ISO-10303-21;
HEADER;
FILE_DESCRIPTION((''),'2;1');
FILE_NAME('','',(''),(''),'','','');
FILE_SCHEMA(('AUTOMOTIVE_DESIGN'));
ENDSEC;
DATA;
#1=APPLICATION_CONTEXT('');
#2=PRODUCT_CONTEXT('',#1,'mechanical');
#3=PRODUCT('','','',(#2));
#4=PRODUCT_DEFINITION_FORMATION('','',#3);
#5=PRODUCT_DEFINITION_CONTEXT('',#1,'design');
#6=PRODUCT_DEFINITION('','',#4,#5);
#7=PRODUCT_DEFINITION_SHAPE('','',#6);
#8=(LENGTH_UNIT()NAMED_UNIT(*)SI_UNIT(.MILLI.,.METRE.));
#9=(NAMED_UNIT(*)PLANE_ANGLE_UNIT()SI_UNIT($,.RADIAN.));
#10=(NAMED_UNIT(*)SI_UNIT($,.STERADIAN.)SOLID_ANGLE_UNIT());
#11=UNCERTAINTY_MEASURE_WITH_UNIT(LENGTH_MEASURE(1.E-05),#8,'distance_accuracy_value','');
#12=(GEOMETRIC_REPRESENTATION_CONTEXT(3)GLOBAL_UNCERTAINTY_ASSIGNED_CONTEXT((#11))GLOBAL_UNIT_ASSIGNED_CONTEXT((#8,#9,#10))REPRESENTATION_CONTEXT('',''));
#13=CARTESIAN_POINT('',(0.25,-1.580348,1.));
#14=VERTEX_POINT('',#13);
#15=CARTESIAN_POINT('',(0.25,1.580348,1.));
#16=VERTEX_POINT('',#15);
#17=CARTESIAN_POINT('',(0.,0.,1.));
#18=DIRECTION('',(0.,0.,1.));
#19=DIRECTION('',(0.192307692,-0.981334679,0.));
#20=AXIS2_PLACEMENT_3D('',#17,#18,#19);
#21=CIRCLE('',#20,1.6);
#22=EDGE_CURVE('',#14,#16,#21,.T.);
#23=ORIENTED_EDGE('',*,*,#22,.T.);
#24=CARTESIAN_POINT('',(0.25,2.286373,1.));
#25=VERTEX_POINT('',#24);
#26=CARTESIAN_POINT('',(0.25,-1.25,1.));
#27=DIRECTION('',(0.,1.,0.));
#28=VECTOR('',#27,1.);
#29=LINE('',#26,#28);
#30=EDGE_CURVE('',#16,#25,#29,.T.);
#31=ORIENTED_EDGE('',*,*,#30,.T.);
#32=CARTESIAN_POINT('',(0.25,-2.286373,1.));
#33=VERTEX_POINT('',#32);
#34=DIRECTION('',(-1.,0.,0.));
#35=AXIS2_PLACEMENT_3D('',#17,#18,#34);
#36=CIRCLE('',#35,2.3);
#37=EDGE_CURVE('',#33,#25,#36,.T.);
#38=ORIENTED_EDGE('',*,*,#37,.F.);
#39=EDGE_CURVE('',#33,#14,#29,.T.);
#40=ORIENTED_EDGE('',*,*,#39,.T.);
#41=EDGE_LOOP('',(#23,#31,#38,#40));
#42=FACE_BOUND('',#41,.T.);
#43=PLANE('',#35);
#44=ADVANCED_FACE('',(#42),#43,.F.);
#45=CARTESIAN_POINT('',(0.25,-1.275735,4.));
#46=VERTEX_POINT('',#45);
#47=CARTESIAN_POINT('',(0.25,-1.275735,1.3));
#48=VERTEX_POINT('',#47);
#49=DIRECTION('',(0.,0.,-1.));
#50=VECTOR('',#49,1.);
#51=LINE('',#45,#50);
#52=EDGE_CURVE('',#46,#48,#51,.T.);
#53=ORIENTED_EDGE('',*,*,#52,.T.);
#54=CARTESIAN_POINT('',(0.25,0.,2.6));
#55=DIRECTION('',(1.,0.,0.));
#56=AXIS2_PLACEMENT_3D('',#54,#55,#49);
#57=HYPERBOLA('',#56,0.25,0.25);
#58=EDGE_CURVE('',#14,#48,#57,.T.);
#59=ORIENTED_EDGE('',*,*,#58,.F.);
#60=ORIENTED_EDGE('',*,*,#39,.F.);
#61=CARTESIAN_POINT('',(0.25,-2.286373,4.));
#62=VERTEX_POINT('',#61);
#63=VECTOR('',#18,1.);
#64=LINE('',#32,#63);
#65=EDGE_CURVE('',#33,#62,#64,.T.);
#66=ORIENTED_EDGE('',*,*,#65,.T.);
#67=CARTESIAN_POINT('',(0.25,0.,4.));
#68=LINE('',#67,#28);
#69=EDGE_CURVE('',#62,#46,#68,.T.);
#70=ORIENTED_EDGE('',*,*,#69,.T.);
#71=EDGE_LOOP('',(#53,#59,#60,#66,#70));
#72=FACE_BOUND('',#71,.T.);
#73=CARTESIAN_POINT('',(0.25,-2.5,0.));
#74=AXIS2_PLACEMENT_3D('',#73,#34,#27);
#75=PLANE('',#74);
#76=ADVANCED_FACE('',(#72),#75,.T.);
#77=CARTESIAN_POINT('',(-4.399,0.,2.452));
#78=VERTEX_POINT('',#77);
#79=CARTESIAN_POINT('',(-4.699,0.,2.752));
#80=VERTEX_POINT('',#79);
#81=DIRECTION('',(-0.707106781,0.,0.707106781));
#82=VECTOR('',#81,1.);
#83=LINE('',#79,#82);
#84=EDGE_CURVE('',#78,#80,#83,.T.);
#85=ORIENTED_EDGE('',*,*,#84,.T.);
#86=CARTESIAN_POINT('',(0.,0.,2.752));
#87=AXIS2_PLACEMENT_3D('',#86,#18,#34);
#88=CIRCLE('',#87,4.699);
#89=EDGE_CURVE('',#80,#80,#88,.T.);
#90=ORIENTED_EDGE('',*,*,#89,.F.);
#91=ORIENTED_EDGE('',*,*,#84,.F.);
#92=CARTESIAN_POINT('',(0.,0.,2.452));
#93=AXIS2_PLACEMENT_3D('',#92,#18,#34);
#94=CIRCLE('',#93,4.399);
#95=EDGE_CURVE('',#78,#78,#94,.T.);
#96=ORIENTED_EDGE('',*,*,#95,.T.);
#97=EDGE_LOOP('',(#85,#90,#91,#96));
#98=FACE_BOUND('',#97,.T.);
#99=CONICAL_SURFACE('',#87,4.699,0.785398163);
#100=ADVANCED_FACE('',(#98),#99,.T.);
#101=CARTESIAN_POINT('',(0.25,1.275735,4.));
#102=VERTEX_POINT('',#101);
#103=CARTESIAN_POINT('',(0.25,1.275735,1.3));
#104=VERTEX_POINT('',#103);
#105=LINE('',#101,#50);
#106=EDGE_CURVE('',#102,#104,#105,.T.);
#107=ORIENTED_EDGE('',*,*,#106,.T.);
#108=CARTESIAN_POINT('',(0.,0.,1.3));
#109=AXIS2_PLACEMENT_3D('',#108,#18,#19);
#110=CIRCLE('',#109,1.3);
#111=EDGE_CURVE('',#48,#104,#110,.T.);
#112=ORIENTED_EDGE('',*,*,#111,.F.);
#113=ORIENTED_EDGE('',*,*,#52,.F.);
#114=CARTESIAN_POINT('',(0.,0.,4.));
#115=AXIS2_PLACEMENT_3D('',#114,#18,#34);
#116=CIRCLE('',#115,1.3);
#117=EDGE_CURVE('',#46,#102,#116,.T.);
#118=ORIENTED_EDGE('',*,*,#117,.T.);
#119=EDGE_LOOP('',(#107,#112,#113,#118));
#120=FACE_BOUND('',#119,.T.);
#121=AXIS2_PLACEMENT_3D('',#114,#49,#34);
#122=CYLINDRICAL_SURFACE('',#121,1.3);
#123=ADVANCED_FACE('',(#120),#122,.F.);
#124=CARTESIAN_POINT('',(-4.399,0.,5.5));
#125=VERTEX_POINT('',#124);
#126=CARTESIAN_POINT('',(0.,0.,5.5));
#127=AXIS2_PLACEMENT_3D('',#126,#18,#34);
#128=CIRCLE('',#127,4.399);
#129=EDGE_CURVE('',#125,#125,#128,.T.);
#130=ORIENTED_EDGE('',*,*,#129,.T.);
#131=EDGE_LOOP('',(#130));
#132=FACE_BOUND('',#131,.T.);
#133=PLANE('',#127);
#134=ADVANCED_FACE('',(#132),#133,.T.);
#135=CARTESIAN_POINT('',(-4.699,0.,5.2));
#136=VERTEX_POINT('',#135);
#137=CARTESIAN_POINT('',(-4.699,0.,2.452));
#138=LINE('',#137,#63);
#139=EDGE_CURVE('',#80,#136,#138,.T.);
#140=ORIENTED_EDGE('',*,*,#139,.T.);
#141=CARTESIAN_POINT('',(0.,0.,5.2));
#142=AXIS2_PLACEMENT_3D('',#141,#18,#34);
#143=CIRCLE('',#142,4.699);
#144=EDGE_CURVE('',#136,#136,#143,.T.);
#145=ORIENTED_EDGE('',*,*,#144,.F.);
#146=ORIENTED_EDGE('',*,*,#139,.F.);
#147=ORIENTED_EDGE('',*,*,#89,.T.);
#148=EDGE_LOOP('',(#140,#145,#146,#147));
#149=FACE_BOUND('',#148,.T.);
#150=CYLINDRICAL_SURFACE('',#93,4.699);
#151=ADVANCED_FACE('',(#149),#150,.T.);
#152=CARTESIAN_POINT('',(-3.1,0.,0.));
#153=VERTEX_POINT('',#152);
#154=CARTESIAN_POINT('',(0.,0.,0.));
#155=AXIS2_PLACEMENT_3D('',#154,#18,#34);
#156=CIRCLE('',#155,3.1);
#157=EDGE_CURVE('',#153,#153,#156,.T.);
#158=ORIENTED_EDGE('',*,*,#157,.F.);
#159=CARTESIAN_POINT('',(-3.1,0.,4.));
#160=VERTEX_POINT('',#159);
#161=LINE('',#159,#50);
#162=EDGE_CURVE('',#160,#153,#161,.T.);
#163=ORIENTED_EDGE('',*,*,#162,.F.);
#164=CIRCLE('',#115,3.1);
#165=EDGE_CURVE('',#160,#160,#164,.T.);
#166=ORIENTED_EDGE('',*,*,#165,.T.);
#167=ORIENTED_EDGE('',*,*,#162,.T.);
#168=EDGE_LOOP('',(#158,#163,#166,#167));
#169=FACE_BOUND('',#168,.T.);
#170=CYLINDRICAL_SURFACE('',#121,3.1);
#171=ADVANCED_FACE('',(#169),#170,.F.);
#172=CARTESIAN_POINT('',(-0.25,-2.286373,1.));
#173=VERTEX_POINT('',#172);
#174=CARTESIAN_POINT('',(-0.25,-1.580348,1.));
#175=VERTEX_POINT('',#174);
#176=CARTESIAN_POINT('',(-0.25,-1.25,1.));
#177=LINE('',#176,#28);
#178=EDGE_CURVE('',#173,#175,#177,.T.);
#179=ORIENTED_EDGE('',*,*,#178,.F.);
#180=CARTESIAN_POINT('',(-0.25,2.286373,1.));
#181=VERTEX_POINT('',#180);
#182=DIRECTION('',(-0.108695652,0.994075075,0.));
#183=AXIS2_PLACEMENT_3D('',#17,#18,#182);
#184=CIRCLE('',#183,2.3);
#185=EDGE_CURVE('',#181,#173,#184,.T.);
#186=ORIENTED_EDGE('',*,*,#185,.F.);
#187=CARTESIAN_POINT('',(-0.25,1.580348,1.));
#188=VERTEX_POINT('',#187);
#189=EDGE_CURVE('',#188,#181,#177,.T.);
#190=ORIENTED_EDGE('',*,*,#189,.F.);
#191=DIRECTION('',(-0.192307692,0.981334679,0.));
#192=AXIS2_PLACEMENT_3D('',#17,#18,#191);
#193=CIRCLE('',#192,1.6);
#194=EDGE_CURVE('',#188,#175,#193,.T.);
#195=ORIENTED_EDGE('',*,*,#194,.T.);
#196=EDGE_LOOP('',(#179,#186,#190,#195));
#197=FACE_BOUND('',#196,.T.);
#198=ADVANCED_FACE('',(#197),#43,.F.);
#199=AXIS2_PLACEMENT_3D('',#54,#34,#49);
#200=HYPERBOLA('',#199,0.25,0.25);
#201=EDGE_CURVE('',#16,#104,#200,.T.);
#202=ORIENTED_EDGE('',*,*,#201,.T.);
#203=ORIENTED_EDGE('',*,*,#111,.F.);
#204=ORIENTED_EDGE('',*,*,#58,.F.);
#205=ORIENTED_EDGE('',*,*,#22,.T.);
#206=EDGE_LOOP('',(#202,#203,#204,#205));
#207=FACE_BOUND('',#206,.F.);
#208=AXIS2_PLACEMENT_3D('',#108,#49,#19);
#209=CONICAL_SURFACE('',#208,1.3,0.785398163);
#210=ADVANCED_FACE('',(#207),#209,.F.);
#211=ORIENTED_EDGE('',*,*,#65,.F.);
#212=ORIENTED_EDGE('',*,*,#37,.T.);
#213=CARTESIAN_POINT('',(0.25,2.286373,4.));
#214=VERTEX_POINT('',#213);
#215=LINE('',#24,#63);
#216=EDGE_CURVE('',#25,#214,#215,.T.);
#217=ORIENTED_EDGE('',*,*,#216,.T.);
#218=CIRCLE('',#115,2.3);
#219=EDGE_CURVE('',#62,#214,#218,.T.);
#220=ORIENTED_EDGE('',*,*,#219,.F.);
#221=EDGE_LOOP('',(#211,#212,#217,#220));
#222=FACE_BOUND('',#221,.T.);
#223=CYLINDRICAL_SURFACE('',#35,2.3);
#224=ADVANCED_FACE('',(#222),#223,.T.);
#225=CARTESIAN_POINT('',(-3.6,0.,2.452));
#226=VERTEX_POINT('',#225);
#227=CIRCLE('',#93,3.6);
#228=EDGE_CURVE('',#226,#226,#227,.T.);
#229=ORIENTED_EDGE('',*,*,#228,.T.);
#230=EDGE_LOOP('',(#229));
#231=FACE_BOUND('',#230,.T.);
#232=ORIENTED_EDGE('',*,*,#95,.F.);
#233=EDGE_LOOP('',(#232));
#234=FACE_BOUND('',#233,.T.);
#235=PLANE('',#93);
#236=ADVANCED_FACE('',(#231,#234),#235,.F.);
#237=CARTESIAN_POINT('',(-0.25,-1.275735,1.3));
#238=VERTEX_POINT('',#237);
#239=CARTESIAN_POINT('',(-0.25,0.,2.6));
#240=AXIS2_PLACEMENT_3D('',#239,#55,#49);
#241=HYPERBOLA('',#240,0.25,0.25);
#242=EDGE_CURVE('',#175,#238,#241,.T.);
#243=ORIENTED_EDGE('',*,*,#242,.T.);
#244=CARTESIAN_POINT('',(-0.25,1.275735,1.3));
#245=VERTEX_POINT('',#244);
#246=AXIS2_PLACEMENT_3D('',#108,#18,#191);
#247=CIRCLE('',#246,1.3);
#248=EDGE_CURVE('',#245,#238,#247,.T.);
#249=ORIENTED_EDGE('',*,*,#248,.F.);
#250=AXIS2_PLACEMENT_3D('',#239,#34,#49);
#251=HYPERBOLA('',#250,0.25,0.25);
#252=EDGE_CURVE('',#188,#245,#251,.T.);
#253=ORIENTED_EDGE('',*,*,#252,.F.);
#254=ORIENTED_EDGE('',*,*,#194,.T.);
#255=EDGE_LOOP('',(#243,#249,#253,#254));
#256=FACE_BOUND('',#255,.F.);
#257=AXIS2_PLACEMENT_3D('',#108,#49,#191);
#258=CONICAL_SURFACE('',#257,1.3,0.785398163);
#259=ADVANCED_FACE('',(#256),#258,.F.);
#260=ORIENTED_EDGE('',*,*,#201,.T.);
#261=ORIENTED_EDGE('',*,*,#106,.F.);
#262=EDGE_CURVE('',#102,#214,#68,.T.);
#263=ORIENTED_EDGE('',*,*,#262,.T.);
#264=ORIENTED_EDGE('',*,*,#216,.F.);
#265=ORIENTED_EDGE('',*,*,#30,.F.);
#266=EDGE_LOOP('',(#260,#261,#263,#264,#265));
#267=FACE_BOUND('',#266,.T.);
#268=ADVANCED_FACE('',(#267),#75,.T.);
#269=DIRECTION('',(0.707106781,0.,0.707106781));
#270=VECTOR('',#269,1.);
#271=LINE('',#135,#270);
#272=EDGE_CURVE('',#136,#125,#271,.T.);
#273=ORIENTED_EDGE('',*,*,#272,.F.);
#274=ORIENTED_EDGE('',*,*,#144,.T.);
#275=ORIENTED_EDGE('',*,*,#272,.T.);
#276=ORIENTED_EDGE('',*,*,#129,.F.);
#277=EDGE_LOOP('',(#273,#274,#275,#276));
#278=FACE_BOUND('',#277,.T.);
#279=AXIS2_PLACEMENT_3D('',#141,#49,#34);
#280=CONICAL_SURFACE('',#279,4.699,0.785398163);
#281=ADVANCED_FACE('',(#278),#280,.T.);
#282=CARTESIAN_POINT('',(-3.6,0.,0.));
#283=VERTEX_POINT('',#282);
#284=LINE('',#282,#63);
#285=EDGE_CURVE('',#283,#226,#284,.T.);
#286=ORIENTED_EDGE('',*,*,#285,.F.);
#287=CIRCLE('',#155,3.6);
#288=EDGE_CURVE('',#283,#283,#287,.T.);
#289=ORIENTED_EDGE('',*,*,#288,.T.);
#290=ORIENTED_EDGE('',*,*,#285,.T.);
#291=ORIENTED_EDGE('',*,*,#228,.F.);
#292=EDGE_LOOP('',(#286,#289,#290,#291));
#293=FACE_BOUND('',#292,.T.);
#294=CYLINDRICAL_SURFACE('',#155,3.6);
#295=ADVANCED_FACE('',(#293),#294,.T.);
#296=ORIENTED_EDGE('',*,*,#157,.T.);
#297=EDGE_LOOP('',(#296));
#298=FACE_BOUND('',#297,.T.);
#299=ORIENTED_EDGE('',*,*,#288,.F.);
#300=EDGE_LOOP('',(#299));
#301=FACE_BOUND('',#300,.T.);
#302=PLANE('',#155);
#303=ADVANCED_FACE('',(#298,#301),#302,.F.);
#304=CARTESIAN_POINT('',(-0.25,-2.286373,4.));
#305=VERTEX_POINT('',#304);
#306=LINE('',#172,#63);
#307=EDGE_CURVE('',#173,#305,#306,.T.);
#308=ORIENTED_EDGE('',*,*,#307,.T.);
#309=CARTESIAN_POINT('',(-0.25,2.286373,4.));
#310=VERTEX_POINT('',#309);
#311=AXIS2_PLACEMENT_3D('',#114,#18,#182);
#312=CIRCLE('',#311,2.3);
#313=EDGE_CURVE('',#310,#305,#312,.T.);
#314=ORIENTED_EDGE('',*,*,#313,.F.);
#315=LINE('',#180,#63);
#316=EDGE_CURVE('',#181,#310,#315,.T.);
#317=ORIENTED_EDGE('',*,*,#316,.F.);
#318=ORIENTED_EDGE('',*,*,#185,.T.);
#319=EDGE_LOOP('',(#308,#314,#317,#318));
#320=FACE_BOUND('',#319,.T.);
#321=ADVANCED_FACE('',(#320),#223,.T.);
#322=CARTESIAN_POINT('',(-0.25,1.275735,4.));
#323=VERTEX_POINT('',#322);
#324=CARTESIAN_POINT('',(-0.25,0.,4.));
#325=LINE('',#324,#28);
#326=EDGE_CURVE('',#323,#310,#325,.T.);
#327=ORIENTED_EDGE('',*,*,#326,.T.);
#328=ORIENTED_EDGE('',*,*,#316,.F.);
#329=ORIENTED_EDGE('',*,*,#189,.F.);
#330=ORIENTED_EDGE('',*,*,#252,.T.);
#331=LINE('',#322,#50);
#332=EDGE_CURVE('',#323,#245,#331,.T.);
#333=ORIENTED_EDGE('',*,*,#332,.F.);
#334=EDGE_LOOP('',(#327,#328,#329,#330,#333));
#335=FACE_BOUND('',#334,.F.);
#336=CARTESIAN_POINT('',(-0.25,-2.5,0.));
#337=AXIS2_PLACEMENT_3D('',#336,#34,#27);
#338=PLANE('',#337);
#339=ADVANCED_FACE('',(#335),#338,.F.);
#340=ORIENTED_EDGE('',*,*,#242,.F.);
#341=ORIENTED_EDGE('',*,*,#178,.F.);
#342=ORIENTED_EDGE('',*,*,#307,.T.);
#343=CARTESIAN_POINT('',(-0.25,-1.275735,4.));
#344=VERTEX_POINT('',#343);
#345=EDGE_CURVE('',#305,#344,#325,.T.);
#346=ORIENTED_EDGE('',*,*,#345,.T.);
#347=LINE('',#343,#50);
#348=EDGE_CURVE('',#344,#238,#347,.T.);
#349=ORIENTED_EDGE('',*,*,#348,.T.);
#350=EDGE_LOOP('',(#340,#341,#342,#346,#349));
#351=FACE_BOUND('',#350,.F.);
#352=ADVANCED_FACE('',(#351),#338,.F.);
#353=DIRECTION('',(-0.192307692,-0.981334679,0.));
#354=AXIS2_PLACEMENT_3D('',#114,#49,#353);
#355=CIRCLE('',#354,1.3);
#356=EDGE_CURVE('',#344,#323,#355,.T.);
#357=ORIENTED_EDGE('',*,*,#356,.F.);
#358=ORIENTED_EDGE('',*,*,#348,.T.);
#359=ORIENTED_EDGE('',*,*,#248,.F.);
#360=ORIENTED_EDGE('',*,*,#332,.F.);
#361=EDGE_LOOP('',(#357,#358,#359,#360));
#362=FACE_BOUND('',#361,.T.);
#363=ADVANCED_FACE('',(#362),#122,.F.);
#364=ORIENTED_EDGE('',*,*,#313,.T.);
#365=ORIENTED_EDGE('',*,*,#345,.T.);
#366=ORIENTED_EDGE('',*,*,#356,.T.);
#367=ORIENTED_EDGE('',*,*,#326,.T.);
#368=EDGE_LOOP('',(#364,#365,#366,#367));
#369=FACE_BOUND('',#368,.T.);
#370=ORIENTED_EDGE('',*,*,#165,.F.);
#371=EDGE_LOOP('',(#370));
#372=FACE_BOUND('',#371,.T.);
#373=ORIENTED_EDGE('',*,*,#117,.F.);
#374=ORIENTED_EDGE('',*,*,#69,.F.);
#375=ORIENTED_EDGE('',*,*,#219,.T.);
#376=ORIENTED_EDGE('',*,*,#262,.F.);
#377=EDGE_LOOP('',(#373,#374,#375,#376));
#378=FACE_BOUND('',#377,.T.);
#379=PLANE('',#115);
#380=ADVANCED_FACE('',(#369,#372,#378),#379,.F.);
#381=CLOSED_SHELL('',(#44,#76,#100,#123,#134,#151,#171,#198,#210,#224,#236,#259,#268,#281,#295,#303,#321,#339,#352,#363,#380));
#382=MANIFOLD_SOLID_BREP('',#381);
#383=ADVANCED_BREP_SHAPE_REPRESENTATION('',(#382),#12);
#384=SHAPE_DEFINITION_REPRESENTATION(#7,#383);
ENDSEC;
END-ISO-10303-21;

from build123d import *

# Parameters (mm, degrees)
SKETCH010_W     = 0.5
SKETCH010_H     = 5
POCKET001_DEPTH = 4
CHAMFER_SIZE    = 0.3


with BuildPart() as part:
    # Sketch008 → Revolution002 (revolve)
    with BuildSketch(Plane.XZ):
        Polygon((-3.6, 0), (-3.6, 2.452), (-4.699, 2.452), (-4.699, 5.5), (0, 5.5), (0, 4), (-1.3, 4), (-1.3, 1), (-2.3, 1), (-2.3, 4), (-3.1, 4), (-3.1, 0), align=None)
    revolve(axis=Axis((0, 0, 0), (0, 0, 1)))

    # Sketch010 → Pocket001 (cut)
    with BuildSketch(Plane.XY):
        Rectangle(SKETCH010_W, SKETCH010_H)
    extrude(amount=POCKET001_DEPTH, mode=Mode.SUBTRACT)

    # Chamfer
    chamfer_edges = [part.edges().sort_by_distance(p)[0] for p in [
        (4.699, 0, 5.5),
        (4.699, 0, 2.452),
        (1.3, 0, 1),
        (-1.003743, 0.826136, 1),
    ]]
    chamfer(chamfer_edges, length=CHAMFER_SIZE)


solid = part.part
